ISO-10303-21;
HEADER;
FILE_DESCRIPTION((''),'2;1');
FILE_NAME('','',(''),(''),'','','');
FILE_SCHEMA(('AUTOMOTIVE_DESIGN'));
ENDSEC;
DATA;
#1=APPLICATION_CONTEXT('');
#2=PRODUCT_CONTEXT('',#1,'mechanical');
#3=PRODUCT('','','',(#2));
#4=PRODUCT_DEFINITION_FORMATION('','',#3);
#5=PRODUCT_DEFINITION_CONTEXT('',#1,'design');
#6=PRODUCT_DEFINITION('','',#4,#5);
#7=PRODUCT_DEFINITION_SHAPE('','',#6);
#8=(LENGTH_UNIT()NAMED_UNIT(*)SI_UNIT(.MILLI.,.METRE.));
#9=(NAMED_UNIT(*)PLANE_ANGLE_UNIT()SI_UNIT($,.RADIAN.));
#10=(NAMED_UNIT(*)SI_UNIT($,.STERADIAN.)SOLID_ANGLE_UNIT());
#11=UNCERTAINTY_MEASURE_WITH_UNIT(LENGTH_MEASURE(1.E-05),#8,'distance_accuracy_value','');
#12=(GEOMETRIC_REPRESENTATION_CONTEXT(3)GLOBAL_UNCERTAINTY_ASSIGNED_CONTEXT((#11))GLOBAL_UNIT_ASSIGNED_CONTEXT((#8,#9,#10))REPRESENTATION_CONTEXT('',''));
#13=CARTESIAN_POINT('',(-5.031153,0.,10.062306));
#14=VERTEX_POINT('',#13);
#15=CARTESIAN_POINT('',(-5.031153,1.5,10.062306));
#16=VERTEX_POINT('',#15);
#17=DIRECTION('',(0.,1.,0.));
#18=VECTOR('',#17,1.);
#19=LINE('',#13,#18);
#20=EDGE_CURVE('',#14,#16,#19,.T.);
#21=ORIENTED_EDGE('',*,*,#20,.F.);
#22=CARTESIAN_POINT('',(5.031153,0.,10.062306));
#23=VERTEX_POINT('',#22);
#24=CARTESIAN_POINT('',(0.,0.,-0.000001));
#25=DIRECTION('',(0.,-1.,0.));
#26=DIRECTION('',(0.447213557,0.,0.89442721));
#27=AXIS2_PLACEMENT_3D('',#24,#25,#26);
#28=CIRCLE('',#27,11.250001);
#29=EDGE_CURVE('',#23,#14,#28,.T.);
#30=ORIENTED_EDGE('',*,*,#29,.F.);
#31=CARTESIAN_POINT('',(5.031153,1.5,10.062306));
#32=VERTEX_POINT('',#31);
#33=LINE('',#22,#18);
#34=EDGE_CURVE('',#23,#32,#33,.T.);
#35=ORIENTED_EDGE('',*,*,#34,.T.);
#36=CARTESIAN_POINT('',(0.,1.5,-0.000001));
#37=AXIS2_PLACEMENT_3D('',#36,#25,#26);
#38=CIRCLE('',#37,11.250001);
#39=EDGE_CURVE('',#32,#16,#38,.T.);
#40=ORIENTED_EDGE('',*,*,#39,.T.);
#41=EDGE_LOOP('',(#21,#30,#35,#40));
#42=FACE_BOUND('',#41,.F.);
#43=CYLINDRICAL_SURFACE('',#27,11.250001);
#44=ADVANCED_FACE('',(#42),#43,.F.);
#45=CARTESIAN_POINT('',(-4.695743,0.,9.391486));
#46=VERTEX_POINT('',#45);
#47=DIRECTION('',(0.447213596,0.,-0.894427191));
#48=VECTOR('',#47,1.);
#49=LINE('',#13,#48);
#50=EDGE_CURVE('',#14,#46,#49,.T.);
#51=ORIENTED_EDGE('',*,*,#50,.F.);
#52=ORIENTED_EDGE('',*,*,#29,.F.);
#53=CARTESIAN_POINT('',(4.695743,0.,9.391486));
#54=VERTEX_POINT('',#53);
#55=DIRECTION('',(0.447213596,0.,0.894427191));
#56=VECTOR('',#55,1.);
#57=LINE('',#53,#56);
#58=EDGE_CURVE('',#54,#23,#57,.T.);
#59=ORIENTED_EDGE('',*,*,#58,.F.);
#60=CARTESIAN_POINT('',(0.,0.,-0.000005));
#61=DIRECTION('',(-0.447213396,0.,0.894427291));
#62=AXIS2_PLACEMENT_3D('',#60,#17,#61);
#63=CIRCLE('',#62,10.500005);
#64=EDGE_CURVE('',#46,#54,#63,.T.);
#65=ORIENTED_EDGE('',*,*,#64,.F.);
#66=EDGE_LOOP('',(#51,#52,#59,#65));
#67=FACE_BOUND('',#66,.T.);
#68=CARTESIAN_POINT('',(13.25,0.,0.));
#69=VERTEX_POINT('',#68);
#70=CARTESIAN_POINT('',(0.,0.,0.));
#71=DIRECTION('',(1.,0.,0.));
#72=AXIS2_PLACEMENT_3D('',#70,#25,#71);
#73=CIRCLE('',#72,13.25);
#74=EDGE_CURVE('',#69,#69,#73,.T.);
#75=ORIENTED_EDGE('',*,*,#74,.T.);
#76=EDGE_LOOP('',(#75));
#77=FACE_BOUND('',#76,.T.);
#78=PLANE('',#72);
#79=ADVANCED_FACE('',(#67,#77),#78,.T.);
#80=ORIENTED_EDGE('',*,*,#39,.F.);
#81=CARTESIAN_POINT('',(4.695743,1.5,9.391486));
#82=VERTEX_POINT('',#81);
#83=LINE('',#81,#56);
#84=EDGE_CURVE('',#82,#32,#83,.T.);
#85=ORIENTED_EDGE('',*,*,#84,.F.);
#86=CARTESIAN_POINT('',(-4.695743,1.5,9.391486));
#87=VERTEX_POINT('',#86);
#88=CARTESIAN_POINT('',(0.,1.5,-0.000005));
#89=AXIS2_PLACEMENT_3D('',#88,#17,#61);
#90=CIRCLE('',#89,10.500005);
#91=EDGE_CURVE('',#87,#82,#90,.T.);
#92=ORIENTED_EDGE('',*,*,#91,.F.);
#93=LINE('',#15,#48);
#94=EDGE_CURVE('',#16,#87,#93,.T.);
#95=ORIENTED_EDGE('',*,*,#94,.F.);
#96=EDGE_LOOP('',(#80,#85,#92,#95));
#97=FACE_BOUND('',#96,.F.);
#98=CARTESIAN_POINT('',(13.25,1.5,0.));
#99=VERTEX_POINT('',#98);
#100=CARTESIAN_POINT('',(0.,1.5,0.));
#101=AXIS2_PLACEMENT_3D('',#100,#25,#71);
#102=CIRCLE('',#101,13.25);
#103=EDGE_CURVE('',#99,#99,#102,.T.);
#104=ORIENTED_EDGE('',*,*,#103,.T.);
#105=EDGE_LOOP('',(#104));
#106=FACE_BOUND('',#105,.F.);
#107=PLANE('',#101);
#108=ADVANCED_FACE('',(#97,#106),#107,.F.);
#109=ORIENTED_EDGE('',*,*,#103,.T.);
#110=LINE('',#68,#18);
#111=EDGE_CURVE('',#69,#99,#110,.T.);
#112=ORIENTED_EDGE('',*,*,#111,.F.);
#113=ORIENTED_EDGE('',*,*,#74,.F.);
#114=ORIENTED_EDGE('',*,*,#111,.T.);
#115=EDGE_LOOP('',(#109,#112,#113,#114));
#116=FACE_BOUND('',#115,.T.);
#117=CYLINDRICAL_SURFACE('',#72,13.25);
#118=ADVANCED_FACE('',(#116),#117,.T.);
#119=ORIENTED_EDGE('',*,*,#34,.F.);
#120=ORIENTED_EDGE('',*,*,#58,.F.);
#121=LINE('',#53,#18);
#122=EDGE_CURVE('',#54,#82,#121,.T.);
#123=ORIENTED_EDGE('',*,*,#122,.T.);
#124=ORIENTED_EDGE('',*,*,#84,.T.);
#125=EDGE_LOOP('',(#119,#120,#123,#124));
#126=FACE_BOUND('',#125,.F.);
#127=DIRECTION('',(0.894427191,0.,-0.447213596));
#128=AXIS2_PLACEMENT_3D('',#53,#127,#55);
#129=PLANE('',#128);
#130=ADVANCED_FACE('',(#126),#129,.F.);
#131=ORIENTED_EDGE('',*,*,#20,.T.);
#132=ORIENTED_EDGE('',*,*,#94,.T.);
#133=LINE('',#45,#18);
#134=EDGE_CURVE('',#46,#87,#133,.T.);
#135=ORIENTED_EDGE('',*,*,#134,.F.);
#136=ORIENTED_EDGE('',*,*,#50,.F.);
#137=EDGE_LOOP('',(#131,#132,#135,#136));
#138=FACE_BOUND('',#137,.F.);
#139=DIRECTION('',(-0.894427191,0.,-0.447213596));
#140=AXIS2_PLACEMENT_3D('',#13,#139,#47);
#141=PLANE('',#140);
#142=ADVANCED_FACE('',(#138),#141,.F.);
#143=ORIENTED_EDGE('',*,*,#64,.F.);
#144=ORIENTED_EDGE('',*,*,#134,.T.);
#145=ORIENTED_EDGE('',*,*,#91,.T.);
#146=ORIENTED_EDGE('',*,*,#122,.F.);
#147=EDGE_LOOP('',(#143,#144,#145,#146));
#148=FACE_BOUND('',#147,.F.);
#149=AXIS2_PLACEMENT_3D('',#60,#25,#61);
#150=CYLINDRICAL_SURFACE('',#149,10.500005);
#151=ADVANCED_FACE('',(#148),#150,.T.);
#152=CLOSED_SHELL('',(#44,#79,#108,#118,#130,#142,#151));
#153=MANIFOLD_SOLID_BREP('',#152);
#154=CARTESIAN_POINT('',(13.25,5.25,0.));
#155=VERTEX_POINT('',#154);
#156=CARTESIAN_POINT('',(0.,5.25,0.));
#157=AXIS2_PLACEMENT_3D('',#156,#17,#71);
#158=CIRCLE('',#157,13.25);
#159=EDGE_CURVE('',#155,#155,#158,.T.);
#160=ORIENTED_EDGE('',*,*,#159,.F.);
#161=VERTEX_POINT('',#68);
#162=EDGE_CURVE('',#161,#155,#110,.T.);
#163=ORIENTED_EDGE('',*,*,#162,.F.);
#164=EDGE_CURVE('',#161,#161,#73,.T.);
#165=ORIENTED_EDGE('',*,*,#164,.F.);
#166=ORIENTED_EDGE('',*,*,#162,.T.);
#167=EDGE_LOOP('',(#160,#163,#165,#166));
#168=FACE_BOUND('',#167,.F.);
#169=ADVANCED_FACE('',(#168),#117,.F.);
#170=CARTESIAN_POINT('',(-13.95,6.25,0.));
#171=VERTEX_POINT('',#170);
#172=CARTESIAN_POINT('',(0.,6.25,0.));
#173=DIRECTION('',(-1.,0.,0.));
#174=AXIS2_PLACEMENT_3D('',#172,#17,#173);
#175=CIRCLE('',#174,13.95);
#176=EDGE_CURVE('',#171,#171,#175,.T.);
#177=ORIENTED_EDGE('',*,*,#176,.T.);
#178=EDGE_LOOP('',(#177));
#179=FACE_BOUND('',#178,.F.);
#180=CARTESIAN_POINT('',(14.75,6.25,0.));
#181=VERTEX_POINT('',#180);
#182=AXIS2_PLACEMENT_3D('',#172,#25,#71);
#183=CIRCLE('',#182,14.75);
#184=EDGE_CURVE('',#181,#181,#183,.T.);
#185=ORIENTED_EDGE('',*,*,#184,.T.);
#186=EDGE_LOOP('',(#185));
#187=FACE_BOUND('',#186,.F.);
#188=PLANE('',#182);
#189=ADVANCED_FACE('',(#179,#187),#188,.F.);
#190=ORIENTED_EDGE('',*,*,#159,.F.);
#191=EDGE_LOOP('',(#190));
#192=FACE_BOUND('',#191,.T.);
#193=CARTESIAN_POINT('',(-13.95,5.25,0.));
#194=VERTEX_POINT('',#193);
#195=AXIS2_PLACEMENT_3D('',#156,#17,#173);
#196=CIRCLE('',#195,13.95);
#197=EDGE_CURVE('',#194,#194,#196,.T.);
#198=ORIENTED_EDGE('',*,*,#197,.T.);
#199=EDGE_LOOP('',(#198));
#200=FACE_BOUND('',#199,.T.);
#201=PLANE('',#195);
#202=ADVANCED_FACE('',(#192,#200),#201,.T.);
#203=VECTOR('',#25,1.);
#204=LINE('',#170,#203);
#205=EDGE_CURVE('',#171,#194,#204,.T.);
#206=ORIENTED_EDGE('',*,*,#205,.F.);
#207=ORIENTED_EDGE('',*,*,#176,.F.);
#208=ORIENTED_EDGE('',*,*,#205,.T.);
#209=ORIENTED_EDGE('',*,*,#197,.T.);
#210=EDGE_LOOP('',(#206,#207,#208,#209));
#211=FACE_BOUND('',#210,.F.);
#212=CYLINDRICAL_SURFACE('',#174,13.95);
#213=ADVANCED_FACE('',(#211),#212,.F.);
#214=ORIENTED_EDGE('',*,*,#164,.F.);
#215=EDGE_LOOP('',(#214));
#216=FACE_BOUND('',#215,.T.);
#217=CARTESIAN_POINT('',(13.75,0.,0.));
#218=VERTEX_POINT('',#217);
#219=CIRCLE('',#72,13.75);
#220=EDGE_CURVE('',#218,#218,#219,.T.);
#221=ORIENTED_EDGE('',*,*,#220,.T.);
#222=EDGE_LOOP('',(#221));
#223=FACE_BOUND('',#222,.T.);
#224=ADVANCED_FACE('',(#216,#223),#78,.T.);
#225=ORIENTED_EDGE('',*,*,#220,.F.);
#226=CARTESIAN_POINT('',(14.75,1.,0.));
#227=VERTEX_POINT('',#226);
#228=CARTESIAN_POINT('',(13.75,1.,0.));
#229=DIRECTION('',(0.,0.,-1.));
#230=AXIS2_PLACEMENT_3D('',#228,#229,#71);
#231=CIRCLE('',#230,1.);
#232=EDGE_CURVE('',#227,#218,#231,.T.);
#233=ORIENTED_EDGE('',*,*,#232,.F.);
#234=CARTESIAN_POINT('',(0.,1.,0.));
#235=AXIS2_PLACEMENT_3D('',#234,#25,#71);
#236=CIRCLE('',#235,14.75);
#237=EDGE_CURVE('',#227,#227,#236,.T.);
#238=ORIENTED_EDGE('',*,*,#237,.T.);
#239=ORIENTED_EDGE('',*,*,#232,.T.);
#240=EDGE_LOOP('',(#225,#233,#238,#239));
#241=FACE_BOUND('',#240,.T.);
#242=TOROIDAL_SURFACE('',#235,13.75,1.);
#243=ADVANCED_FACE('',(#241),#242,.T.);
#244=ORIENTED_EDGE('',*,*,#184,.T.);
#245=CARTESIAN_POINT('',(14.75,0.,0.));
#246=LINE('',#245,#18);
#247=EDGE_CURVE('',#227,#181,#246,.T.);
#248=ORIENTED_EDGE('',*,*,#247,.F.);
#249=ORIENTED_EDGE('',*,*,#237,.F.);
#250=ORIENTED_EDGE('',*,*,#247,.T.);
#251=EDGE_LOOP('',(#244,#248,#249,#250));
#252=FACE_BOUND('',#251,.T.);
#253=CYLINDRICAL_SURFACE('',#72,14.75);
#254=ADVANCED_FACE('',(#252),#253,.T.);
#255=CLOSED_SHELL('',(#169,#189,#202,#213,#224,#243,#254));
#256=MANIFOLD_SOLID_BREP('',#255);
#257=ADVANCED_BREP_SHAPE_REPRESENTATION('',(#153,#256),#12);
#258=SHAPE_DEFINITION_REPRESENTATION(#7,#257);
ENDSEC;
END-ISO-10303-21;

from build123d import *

# Parameters (mm, degrees)
F0_R     = 14.75
F0_R_2   = 13.25
F1_DEPTH = 6.25
F2_DEPTH = 1.5
F3_R     = 13.95
F3_R_2   = 13.25
F4_DEPTH = 1
F5_R     = 1
F7_DEPTH = 1.5


with BuildPart() as f1:
    # F0 (on Front) → F1 (new body)
    with BuildSketch(Plane.XZ):
        Circle(F0_R)
        Circle(F0_R_2, mode=Mode.SUBTRACT)
    extrude(amount=-F1_DEPTH)

    # F3 (on face) → F4 (cut)
    with BuildSketch(Plane(origin=(0, 6.25, 0), x_dir=(-1, 0, 0), z_dir=(0, 1, 0))):
        Circle(F3_R)
        Circle(F3_R_2, mode=Mode.SUBTRACT)
    extrude(amount=-F4_DEPTH, mode=Mode.SUBTRACT)

    # F5
    f5_edges = [f1.edges().sort_by_distance(p)[0] for p in [
        (-14.75, 0, 0),
    ]]
    fillet(f5_edges, radius=F5_R)


with BuildPart() as f2:
    # F0 (on Front) → F2 (new body)
    with BuildSketch(Plane.XZ):
        Circle(F0_R_2)
    extrude(amount=-F2_DEPTH)

    # F6 (on face) → F7 (cut)
    with BuildSketch(Plane.XZ):
        with BuildLine():
            Line((4.695743, 9.391486), (5.031153, 10.062306))
            ThreePointArc((5.031153, 10.062306), (0, 11.25), (-5.031153, 10.062306))
            Line((-5.031153, 10.062306), (-4.695743, 9.391486))
            ThreePointArc((-4.695743, 9.391486), (0, 10.5), (4.695743, 9.391486))
        make_face()
    extrude(amount=-F7_DEPTH, mode=Mode.SUBTRACT)


solid = Compound([f1.part, f2.part])
